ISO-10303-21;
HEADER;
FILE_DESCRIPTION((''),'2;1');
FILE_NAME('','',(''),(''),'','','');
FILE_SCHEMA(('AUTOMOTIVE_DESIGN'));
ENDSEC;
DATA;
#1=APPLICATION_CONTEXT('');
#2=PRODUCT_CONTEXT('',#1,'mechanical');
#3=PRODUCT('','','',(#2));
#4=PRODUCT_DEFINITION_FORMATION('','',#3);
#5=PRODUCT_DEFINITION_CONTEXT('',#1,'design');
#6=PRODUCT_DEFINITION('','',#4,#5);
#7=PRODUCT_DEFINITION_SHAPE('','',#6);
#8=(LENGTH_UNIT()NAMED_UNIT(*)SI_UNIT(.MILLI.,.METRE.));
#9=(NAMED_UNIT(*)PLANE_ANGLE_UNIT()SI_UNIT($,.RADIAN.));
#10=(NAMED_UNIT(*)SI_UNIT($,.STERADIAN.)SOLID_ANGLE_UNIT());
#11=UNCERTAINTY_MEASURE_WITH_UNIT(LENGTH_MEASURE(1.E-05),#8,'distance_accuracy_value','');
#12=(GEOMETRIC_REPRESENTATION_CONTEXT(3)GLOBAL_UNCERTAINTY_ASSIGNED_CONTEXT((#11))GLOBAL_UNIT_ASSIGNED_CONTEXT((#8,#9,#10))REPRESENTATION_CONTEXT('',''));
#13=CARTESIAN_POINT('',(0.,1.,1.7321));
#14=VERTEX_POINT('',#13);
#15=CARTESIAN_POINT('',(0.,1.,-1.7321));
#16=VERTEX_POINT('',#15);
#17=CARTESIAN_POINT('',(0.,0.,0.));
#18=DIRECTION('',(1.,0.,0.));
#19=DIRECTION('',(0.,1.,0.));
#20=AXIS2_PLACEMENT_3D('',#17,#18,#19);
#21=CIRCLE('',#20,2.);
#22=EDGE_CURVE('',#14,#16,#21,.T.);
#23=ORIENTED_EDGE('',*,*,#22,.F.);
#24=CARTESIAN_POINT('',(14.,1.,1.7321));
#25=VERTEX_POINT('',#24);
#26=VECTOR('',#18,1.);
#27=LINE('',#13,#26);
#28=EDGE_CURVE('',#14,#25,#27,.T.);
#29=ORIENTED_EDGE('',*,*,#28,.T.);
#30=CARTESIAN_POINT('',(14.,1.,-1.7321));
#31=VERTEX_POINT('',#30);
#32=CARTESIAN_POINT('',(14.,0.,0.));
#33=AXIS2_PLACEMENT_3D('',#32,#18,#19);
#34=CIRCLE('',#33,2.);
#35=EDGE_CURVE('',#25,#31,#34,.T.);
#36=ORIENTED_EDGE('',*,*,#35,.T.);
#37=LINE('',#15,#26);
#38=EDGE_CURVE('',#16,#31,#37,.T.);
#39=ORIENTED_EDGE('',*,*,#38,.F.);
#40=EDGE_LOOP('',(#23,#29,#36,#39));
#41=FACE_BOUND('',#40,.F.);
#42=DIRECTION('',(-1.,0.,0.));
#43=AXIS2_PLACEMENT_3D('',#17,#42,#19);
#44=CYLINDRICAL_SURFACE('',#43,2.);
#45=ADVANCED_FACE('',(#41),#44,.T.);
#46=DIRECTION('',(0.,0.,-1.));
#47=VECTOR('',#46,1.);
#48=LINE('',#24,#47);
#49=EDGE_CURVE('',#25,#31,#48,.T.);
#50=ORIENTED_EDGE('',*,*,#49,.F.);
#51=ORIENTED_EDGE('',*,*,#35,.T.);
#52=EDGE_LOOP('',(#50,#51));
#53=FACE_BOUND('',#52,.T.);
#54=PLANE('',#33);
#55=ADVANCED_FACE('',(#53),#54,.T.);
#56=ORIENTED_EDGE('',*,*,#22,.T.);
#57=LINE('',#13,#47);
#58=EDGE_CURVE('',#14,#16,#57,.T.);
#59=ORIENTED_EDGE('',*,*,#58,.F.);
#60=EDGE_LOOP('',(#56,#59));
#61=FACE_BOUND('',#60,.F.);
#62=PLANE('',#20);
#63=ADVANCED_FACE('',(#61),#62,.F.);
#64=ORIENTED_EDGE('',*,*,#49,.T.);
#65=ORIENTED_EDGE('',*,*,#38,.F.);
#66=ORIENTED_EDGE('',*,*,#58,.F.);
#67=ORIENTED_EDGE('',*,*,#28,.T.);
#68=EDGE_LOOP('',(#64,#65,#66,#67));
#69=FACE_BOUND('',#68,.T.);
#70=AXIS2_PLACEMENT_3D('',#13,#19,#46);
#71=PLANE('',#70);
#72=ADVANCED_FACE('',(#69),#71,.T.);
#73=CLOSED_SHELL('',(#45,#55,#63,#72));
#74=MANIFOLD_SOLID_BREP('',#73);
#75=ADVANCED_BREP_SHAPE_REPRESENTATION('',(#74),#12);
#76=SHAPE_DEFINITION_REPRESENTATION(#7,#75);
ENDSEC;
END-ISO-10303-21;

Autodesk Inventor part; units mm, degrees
ref_plane "YZ Plane" through (0, 0, 0) normal (1, 0, 0) x (0, 1, 0)
ref_plane "XZ Plane" through (0, 0, 0) normal (0, 1, 0) x (-1, 0, 0)
ref_plane "XY Plane" through (0, 0, 0) normal (0, 0, 1) x (1, 0, 0)
sketch "Sketch1" plane through (0, 0, 0) normal (1, 0, 0) x (0, 1, 0)
  circle A0 centre (0, 0) radius 2
  line L0 (1, 1.7321) -> (1, -1.7321)
  dimension "d0" = 4
  dimension "d1" = 3
extrude "Extrusion1" add sketch "Sketch1" along normal blind 14 contours L0 A0 picked at (0.0677, -0.5968)
properties part number "SHAFT"
